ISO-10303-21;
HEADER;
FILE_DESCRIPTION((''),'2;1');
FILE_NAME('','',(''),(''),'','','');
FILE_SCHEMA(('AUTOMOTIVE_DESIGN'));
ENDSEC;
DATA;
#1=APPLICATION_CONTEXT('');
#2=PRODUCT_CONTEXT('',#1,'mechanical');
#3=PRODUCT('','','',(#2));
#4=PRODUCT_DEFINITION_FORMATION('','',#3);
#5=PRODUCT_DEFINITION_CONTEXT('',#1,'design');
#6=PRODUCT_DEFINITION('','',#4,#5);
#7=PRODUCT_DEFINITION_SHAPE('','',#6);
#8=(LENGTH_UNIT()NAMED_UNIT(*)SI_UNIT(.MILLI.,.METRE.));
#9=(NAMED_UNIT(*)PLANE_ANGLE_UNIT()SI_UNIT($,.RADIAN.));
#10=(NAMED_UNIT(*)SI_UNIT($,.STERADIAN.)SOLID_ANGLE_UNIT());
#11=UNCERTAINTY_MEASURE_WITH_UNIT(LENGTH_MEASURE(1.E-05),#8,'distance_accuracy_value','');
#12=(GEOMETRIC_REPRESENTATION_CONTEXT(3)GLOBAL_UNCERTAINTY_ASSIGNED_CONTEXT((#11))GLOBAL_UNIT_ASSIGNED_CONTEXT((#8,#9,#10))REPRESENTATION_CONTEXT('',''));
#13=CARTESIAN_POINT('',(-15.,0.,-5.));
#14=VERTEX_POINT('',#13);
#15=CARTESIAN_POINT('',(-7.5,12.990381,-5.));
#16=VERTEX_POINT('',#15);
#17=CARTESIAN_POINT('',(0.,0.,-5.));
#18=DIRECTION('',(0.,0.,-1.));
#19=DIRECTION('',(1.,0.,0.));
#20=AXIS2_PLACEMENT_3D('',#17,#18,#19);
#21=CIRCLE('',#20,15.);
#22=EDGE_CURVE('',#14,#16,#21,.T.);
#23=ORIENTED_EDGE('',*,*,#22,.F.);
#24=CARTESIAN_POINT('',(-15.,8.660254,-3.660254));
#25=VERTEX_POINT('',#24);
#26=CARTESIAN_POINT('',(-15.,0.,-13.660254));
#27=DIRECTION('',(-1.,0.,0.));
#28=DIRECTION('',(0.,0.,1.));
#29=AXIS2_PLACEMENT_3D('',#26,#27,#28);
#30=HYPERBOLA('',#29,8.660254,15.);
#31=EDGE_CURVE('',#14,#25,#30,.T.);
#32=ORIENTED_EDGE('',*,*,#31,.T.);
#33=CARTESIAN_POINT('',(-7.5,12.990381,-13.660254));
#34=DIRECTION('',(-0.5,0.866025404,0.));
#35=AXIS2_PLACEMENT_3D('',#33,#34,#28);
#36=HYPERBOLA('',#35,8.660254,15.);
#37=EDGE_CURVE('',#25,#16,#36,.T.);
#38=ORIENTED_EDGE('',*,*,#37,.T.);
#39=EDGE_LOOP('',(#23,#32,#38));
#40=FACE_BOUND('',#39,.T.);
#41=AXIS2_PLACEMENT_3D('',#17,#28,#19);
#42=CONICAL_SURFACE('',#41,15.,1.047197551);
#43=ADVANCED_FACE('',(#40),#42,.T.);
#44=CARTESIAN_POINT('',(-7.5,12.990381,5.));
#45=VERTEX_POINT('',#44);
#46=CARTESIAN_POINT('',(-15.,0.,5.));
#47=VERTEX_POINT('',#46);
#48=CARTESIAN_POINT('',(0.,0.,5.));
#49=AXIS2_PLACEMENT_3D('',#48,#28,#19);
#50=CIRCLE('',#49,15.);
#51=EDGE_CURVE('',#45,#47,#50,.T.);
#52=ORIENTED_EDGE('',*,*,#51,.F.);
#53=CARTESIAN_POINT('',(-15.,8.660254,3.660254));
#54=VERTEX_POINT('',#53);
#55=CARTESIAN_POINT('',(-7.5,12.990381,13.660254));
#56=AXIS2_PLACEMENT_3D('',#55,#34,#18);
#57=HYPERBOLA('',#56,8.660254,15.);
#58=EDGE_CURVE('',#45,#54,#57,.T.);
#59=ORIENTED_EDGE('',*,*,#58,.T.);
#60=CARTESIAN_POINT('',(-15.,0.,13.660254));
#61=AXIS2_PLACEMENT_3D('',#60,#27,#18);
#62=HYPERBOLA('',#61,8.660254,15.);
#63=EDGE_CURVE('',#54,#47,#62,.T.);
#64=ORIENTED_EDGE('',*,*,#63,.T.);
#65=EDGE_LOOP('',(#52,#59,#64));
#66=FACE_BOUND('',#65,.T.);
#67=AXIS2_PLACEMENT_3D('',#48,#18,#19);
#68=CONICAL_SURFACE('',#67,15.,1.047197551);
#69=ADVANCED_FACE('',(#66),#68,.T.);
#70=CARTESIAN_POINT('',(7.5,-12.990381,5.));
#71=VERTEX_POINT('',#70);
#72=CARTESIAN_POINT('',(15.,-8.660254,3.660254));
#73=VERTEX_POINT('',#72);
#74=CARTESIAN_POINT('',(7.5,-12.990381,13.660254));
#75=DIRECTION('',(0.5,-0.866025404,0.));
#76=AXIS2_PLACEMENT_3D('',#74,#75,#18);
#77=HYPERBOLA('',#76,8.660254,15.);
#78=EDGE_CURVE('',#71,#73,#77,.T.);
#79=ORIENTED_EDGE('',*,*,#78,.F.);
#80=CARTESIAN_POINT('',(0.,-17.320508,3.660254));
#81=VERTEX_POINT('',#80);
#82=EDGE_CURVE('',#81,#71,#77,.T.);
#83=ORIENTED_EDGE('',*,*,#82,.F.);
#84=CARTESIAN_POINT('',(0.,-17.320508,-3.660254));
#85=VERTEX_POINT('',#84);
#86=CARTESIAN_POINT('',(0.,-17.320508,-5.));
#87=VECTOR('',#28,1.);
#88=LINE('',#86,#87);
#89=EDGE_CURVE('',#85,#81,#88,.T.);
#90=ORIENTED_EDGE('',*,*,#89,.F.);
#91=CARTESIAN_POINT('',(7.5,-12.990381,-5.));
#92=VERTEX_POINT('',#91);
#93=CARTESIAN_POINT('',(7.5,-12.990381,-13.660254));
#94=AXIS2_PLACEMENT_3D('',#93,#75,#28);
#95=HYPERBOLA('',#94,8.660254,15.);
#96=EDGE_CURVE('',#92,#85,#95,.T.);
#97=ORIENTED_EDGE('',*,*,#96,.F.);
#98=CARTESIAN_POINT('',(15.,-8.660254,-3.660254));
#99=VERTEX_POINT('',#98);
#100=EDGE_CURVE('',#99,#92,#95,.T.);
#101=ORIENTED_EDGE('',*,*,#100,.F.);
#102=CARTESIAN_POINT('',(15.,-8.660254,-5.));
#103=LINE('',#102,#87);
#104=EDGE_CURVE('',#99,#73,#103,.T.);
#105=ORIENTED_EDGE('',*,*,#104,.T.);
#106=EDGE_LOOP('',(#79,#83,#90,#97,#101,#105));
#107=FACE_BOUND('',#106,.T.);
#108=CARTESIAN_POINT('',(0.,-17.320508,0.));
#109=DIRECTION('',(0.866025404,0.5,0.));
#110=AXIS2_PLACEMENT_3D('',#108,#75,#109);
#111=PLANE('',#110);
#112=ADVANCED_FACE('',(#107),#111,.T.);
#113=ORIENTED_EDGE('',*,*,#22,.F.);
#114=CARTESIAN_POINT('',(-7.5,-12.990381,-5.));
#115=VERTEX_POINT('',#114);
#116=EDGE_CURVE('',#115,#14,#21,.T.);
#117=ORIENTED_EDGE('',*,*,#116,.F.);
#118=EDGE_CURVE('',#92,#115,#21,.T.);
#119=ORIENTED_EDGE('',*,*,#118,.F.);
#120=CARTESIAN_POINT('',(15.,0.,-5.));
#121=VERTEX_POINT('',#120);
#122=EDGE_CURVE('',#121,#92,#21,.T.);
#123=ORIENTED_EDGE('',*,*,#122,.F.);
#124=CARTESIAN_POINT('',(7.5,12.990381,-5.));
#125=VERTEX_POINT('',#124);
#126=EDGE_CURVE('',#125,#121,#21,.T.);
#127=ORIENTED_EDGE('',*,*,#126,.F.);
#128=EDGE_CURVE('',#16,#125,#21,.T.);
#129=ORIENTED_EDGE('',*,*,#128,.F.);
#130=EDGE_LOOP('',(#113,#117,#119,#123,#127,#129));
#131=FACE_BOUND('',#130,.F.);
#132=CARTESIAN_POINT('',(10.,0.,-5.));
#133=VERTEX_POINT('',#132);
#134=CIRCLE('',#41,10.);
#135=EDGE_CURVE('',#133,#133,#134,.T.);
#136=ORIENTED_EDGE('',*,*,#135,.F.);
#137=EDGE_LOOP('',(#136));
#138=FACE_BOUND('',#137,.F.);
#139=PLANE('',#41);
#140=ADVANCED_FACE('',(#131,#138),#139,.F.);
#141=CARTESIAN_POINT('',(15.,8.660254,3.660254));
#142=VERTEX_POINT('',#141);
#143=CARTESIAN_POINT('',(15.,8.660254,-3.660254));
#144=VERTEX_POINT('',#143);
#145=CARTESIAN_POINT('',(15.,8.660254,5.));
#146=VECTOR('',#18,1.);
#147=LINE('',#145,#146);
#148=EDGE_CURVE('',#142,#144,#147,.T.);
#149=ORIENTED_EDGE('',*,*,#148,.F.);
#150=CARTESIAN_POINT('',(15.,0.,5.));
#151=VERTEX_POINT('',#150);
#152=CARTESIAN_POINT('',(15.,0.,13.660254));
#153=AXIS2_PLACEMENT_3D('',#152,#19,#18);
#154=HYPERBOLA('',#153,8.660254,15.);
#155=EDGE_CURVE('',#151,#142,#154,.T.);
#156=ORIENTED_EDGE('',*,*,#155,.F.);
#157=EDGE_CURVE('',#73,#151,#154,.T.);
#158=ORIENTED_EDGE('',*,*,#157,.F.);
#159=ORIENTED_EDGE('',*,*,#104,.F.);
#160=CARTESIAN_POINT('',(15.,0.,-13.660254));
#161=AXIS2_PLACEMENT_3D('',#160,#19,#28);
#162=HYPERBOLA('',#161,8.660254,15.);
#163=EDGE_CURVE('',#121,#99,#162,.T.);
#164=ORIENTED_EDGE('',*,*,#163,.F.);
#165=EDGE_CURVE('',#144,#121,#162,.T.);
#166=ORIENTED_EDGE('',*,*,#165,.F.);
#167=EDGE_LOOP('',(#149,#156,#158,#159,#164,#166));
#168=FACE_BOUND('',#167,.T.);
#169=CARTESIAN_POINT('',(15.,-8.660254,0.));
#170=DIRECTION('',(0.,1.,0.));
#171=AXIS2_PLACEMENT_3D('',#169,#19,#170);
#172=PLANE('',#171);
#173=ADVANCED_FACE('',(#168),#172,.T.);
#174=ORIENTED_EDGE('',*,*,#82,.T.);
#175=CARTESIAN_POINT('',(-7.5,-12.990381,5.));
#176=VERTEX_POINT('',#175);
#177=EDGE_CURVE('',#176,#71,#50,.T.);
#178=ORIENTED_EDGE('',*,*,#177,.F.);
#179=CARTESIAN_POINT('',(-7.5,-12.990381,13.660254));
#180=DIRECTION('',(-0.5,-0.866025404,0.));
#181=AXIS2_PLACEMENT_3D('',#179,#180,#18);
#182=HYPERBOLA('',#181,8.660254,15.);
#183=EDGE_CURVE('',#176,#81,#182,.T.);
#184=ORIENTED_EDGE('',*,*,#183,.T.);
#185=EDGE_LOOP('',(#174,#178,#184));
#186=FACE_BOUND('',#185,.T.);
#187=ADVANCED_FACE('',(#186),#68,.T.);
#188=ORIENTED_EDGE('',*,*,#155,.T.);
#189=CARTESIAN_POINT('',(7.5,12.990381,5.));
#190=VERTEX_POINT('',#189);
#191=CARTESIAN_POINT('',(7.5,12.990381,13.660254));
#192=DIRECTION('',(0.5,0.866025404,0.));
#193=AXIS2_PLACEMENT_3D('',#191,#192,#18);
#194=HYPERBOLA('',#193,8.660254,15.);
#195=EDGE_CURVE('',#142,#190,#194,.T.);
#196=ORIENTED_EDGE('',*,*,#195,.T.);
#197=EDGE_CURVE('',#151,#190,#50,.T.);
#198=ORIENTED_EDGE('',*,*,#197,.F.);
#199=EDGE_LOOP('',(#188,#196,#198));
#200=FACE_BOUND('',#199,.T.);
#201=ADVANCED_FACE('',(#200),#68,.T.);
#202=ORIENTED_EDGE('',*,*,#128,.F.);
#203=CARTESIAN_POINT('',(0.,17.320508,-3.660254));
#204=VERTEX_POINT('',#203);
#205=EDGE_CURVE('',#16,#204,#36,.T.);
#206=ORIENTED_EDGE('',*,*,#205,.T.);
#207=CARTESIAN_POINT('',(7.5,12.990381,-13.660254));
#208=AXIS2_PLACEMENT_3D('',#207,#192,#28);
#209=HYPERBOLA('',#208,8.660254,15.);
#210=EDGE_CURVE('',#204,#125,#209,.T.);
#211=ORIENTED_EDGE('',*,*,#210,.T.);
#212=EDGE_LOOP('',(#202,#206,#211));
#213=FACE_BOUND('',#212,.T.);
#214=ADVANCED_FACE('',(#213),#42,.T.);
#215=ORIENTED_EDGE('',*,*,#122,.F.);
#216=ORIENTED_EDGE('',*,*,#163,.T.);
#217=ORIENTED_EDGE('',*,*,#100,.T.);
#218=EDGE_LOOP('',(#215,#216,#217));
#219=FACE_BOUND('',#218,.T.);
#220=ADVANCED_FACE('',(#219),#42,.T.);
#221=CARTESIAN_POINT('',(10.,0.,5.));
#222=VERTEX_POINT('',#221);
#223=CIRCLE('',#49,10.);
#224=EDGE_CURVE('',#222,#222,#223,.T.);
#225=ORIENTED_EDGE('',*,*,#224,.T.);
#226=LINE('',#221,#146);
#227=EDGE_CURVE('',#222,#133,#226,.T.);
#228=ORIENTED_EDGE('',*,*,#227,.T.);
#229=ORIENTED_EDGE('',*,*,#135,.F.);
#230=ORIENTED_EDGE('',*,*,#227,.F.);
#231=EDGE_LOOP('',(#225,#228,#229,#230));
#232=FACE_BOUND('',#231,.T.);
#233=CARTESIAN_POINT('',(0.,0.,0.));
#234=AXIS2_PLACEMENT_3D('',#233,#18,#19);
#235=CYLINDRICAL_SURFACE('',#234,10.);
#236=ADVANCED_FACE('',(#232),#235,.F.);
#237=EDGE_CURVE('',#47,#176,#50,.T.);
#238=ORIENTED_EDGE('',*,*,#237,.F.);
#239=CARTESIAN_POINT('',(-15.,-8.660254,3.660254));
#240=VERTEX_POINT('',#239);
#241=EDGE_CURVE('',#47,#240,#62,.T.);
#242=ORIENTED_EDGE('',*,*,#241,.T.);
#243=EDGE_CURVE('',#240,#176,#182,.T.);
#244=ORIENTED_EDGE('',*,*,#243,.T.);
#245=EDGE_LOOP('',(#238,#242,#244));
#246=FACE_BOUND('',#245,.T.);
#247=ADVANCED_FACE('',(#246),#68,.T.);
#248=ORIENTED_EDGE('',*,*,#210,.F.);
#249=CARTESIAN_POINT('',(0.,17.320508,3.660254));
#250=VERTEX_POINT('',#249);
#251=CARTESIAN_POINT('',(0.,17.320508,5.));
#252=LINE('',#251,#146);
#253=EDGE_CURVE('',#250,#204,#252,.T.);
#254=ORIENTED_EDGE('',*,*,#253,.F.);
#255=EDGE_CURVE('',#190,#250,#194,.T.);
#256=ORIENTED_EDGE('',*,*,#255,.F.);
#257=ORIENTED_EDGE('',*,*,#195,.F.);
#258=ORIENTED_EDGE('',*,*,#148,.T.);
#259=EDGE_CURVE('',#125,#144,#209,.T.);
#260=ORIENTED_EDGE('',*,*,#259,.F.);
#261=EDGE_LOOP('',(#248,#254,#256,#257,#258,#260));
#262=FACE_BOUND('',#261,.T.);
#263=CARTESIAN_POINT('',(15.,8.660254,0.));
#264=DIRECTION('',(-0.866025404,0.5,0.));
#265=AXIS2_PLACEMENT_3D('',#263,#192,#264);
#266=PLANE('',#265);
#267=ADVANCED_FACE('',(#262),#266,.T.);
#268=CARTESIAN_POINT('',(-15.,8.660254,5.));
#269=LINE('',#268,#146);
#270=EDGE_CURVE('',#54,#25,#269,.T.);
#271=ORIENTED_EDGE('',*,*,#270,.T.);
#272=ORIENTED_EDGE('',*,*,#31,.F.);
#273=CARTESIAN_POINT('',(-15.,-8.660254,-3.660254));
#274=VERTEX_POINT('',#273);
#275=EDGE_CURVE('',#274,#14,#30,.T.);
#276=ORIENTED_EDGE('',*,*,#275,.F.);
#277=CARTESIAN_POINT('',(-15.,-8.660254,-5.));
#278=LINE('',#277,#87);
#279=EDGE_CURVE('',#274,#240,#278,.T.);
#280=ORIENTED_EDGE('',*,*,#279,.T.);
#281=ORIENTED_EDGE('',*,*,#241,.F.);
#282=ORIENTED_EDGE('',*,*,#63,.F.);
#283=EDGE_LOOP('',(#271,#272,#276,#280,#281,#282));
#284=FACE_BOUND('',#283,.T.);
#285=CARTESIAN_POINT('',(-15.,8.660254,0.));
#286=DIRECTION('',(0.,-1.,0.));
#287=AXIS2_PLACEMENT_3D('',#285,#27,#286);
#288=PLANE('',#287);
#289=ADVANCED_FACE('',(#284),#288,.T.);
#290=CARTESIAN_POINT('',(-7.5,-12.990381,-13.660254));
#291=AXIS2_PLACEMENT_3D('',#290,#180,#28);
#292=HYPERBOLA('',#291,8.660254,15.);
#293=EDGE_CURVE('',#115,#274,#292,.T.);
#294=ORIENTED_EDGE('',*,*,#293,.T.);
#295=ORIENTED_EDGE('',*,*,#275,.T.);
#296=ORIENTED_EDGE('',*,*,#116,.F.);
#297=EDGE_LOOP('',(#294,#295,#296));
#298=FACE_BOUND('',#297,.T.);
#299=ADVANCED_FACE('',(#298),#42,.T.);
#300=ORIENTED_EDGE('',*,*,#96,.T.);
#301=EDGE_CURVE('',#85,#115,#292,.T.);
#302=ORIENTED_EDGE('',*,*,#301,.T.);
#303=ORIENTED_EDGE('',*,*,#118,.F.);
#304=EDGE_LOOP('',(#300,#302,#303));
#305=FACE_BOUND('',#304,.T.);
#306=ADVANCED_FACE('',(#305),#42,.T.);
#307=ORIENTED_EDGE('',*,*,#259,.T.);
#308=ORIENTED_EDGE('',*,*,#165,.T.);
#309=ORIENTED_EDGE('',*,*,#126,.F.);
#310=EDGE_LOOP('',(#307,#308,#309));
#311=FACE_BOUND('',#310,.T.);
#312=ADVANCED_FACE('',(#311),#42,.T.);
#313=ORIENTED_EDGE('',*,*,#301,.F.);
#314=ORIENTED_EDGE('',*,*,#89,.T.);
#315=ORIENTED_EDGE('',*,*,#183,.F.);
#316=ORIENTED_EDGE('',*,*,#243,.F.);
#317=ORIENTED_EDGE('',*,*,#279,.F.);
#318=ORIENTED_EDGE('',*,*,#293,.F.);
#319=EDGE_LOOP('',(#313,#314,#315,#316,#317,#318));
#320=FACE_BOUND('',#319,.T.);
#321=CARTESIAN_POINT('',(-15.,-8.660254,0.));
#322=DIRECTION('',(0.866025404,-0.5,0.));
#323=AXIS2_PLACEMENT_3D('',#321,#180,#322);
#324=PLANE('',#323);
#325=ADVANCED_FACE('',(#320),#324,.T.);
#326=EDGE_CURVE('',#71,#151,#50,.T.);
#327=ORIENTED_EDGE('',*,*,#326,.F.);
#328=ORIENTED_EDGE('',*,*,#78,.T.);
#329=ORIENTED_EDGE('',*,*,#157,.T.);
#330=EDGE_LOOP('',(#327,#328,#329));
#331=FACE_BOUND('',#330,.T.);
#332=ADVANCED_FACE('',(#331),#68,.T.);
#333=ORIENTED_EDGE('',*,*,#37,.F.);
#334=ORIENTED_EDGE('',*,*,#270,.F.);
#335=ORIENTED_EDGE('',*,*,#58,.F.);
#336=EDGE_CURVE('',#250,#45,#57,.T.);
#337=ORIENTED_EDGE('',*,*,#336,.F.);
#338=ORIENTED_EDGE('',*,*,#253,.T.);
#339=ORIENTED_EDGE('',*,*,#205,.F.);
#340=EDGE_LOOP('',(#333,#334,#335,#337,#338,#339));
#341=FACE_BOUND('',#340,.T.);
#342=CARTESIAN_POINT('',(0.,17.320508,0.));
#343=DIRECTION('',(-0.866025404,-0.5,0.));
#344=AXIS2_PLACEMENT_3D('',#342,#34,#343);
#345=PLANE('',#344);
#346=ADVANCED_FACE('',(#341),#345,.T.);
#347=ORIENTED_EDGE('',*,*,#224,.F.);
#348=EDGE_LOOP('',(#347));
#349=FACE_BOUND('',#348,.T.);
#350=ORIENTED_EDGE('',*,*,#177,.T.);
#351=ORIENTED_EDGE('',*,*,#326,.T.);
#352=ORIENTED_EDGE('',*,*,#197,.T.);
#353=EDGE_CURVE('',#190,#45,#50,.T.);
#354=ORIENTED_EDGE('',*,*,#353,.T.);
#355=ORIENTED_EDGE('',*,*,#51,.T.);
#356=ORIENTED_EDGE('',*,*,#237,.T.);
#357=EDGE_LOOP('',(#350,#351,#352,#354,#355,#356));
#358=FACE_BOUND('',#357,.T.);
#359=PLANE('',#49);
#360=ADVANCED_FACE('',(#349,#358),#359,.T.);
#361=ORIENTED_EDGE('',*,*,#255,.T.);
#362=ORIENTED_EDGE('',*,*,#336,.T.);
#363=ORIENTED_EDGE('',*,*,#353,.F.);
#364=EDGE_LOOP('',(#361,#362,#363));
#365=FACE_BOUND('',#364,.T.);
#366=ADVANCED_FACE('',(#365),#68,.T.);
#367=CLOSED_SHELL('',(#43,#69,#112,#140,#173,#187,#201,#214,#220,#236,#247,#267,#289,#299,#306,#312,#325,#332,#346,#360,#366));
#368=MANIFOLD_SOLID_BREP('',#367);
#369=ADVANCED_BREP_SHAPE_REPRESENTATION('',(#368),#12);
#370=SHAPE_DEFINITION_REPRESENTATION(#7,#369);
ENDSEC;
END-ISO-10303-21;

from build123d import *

# Parameters (mm, degrees)
SZKIC1_R                    = 10
DODANIE_WYCI_GNI_CIE1_DEPTH = 5
SZKIC2_OUTSIDE_W            = 76.022
SZKIC2_OUTSIDE_H            = 80.664
SZKIC2_OUTSIDE_R            = 15
WYTNIJ_WYCI_GNI_CIE2_DEPTH  = 10
WYTNIJ_WYCI_GNI_CIE2_DRAFT  = -60
LUSTRO1_COPY_1_SKETCH_W     = 76.022
LUSTRO1_COPY_1_SKETCH_H     = 80.664
LUSTRO1_COPY_1_SKETCH_R     = 15
LUSTRO1_COPY_1_DEPTH        = 10
LUSTRO1_COPY_1_DRAFT        = -60


with BuildPart() as part:
    # Szkic1 → Dodanie-wyciągnięcie1 (new, symmetric)
    with BuildSketch(Plane.XY):
        Polygon((-15, 8.660254038), (-15, -8.660254038), (0, -17.320508076), (15, -8.660254038), (15, 8.660254038), (0, 17.320508076), align=None)
        Circle(SZKIC1_R, mode=Mode.SUBTRACT)
    extrude(amount=DODANIE_WYCI_GNI_CIE1_DEPTH, both=True)


with BuildPart() as wytnij_wyci_gni_cie2_tool:
    # Szkic2 outside → Wytnij-wyciągnięcie2 (with draft: the straight prism first)
    with BuildSketch(Plane.XY.offset(5)):
        Rectangle(SZKIC2_OUTSIDE_W, SZKIC2_OUTSIDE_H)
        Circle(SZKIC2_OUTSIDE_R, mode=Mode.SUBTRACT)
    extrude(amount=-WYTNIJ_WYCI_GNI_CIE2_DEPTH)
    # Wytnij-wyciągnięcie2: the draft: its side faces are tilted about the plane it starts from
    wytnij_wyci_gni_cie2_sides = [wytnij_wyci_gni_cie2_tool.faces().sort_by_distance(p)[0] for p in [
        (0, -40.332, 0),
        (38.011, 0, 0),
        (0, 40.332, 0),
        (-38.011, 0, 0),
        (-15, 0, 0),
    ]]
    draft(wytnij_wyci_gni_cie2_sides, Plane.XY.offset(5), WYTNIJ_WYCI_GNI_CIE2_DRAFT)


with BuildPart() as part_1:
    add(part.part)

    # Wytnij-wyciągnięcie2: cut by wytnij_wyci_gni_cie2_tool
    add(wytnij_wyci_gni_cie2_tool.part, mode=Mode.SUBTRACT)


with BuildPart() as lustro1_copy_1_tool:
    # Lustro1 copy 1 sketch → Lustro1 copy 1 (with draft: the straight prism first)
    with BuildSketch(Plane(origin=(0, 0, -5), x_dir=(1, 0, 0), z_dir=(0, 0, -1))):
        Rectangle(LUSTRO1_COPY_1_SKETCH_W, LUSTRO1_COPY_1_SKETCH_H)
        Circle(LUSTRO1_COPY_1_SKETCH_R, mode=Mode.SUBTRACT)
    extrude(amount=-LUSTRO1_COPY_1_DEPTH)
    # Lustro1 copy 1: the draft: its side faces are tilted about the plane it starts from
    lustro1_copy_1_sides = [lustro1_copy_1_tool.faces().sort_by_distance(p)[0] for p in [
        (0, -40.332, 0),
        (38.011, 0, 0),
        (0, 40.332, 0),
        (-38.011, 0, 0),
        (-15, 0, 0),
    ]]
    draft(lustro1_copy_1_sides, Plane(origin=(0, 0, -5), x_dir=(1, 0, 0), z_dir=(0, 0, -1)), LUSTRO1_COPY_1_DRAFT)


with BuildPart() as part_2:
    add(part_1.part)

    # Lustro1 copy 1: cut by lustro1_copy_1_tool
    add(lustro1_copy_1_tool.part, mode=Mode.SUBTRACT)


solid = part_2.part
